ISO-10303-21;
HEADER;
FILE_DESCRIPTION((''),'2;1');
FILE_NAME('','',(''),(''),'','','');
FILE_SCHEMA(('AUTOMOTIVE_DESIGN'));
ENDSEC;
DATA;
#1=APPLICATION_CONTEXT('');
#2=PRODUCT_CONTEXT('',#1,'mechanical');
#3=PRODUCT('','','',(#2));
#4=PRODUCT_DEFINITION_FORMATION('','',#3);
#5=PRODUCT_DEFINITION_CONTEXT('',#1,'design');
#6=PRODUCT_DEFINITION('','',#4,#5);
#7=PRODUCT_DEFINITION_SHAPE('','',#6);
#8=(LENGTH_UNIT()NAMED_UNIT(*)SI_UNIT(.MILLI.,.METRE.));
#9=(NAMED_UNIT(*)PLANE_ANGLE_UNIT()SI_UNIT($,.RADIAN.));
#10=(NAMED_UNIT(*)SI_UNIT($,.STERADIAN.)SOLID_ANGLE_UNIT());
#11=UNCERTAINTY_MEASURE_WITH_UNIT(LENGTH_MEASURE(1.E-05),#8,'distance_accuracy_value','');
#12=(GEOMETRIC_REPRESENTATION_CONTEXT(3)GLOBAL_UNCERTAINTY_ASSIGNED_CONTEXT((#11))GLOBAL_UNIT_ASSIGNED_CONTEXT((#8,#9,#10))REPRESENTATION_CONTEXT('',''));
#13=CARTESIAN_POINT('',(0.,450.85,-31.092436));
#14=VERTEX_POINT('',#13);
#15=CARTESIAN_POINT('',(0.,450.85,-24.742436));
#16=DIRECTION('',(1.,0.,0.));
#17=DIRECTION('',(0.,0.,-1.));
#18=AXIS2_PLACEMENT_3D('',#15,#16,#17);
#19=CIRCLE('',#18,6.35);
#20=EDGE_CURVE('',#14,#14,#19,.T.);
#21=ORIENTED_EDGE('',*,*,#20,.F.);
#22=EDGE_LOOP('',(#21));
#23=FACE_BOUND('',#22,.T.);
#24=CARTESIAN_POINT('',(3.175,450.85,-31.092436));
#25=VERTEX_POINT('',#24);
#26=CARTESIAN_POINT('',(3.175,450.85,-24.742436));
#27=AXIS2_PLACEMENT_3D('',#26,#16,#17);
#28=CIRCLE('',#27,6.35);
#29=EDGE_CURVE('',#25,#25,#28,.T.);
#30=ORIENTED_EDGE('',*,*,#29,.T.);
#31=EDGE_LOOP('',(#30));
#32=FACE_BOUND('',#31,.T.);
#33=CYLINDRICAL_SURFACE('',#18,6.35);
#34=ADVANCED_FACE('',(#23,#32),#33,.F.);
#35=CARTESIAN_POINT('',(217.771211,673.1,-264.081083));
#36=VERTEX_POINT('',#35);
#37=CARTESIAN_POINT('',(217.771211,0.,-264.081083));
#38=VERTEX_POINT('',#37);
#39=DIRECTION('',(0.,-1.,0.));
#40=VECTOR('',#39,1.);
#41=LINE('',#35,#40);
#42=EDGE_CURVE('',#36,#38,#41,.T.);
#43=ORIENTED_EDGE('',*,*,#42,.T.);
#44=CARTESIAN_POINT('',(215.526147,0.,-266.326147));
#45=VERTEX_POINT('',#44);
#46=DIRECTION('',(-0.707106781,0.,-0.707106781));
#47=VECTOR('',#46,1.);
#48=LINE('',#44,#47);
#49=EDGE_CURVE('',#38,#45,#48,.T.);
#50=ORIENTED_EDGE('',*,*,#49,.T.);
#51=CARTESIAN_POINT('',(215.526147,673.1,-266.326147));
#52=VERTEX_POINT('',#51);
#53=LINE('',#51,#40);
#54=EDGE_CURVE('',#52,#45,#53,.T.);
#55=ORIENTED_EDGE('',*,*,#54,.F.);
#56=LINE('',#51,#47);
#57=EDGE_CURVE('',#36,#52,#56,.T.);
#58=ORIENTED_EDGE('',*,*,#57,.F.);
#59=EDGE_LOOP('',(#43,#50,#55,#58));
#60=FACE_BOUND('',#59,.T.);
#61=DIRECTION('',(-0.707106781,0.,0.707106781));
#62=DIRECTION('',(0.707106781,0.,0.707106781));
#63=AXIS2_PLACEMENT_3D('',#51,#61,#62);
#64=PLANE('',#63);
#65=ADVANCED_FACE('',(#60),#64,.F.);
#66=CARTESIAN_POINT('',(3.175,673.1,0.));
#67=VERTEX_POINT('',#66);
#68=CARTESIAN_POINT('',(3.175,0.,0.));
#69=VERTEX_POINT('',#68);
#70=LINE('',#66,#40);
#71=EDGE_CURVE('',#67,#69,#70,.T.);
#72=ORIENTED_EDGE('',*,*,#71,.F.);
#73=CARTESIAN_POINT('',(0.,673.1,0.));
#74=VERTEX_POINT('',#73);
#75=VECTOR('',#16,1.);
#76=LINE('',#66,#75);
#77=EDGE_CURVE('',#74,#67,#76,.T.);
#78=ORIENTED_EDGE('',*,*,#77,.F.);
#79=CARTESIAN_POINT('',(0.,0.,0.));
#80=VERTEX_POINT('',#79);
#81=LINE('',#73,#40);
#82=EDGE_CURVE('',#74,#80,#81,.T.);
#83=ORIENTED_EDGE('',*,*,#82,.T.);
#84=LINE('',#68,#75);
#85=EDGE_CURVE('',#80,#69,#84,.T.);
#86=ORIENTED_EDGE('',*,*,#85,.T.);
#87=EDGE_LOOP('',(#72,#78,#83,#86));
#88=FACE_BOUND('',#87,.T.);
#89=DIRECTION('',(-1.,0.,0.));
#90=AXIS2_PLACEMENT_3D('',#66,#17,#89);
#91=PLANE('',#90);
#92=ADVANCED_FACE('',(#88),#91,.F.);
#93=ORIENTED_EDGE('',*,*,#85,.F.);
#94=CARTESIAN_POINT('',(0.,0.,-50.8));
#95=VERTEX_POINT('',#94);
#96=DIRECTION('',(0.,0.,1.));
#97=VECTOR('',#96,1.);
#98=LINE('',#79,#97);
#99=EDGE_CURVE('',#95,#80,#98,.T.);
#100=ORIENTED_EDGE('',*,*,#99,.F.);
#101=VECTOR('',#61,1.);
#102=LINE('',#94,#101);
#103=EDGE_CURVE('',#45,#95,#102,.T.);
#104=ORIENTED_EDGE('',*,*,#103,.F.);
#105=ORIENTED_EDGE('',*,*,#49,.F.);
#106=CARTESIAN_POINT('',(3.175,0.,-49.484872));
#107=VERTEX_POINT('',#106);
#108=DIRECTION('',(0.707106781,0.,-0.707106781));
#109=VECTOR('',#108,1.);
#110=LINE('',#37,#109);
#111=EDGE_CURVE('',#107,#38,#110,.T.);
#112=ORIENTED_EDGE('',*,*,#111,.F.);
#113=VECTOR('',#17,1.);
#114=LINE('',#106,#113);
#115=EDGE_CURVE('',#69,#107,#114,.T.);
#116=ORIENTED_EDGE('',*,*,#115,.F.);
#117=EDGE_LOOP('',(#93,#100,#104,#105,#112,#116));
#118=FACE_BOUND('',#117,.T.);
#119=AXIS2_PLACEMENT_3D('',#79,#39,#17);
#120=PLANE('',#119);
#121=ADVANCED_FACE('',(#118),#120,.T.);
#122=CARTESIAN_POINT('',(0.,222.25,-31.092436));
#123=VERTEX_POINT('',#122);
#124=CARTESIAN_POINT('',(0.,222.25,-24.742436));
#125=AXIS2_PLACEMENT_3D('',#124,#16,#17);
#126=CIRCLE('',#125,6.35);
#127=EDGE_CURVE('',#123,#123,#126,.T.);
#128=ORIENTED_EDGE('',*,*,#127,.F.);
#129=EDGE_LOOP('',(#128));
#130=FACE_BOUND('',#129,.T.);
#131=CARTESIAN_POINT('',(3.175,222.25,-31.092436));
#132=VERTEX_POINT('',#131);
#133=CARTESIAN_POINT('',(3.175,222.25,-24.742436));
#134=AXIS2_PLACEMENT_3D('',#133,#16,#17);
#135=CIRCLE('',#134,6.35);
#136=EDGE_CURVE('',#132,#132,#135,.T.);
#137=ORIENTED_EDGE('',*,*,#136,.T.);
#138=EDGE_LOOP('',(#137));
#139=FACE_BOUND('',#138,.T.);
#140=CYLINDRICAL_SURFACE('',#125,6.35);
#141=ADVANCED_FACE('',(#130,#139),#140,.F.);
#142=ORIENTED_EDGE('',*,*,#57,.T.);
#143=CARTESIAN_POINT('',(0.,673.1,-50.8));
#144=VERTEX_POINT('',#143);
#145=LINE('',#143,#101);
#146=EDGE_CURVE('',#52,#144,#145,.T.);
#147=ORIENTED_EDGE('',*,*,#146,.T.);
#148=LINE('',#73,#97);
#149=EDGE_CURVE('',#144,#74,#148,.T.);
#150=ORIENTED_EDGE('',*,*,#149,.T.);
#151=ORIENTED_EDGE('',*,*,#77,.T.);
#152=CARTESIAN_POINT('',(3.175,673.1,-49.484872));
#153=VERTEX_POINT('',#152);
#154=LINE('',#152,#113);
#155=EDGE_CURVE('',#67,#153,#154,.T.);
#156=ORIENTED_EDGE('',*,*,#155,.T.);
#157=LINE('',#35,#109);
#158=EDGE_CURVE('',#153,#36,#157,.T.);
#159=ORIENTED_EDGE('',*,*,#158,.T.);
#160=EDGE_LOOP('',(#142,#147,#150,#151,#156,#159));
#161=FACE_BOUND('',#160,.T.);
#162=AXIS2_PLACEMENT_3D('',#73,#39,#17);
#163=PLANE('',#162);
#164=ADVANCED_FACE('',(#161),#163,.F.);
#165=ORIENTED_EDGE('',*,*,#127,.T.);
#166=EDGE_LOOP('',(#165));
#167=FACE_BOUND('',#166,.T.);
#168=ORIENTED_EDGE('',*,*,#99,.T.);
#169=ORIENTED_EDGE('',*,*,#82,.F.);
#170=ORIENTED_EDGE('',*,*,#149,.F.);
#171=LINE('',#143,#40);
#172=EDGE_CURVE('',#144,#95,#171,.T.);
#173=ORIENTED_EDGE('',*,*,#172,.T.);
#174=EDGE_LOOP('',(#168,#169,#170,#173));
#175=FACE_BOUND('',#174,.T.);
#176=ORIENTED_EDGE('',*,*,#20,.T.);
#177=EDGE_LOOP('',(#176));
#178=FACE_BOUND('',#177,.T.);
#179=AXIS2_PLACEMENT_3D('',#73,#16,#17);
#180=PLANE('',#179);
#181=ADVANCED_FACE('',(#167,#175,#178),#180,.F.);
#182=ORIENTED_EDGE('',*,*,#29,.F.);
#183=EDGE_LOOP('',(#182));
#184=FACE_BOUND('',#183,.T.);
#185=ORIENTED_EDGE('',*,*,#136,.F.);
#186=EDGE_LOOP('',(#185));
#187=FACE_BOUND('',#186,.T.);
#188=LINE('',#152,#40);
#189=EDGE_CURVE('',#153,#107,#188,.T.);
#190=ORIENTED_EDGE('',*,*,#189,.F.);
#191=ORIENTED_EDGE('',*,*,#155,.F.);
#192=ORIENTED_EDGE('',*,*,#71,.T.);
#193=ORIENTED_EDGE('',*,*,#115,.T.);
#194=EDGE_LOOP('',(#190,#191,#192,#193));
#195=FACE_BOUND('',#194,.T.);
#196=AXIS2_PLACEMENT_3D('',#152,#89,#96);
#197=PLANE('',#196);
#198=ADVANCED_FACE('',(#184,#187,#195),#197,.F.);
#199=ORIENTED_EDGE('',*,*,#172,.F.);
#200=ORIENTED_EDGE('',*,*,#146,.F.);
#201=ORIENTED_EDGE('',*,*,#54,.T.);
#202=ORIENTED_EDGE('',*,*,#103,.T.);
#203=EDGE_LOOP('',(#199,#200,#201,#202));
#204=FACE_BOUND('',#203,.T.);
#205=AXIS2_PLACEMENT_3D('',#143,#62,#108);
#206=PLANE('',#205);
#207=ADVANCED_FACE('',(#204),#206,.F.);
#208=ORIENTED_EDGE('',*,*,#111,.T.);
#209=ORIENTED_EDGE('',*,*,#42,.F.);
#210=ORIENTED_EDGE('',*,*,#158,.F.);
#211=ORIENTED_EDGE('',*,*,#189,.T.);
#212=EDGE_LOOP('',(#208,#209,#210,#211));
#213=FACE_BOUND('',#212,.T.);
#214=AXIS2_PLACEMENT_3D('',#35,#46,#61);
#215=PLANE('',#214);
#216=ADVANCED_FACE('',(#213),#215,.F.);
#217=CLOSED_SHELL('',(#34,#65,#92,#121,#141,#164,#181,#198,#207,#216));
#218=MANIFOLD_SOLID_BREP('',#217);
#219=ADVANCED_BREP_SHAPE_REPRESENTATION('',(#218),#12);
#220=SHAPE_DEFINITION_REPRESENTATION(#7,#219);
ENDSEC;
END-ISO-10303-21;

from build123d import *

# Parameters (mm, degrees)
BOSS_EXTRUDE1_DEPTH = 673.1
SKETCH2_R           = 6.35
CUT_EXTRUDE1_DEPTH  = 4.175


with BuildPart() as part:
    # Sketch1 → Boss-Extrude1 (new body)
    with BuildSketch(Plane(origin=(0, 0, 0), x_dir=(1, 0, 0), z_dir=(0, 1, 0))):
        Polygon((0, 0), (0, 50.8), (215.526146906, 266.326146906), (217.771210936, 264.081082875), (3.175, 49.484871939), (3.175, 0), align=None)
    extrude(amount=BOSS_EXTRUDE1_DEPTH)

    # Sketch2 → Cut-Extrude1 (cut, through all)
    with BuildSketch(Plane(origin=(3.175, 0, 0), x_dir=(0, 0, -1), z_dir=(1, 0, 0))):
        with Locations((24.74243597, 450.85)):
            Circle(SKETCH2_R)
        with Locations((24.74243597, 222.25)):
            Circle(SKETCH2_R)
    extrude(amount=-CUT_EXTRUDE1_DEPTH, mode=Mode.SUBTRACT)


solid = part.part
